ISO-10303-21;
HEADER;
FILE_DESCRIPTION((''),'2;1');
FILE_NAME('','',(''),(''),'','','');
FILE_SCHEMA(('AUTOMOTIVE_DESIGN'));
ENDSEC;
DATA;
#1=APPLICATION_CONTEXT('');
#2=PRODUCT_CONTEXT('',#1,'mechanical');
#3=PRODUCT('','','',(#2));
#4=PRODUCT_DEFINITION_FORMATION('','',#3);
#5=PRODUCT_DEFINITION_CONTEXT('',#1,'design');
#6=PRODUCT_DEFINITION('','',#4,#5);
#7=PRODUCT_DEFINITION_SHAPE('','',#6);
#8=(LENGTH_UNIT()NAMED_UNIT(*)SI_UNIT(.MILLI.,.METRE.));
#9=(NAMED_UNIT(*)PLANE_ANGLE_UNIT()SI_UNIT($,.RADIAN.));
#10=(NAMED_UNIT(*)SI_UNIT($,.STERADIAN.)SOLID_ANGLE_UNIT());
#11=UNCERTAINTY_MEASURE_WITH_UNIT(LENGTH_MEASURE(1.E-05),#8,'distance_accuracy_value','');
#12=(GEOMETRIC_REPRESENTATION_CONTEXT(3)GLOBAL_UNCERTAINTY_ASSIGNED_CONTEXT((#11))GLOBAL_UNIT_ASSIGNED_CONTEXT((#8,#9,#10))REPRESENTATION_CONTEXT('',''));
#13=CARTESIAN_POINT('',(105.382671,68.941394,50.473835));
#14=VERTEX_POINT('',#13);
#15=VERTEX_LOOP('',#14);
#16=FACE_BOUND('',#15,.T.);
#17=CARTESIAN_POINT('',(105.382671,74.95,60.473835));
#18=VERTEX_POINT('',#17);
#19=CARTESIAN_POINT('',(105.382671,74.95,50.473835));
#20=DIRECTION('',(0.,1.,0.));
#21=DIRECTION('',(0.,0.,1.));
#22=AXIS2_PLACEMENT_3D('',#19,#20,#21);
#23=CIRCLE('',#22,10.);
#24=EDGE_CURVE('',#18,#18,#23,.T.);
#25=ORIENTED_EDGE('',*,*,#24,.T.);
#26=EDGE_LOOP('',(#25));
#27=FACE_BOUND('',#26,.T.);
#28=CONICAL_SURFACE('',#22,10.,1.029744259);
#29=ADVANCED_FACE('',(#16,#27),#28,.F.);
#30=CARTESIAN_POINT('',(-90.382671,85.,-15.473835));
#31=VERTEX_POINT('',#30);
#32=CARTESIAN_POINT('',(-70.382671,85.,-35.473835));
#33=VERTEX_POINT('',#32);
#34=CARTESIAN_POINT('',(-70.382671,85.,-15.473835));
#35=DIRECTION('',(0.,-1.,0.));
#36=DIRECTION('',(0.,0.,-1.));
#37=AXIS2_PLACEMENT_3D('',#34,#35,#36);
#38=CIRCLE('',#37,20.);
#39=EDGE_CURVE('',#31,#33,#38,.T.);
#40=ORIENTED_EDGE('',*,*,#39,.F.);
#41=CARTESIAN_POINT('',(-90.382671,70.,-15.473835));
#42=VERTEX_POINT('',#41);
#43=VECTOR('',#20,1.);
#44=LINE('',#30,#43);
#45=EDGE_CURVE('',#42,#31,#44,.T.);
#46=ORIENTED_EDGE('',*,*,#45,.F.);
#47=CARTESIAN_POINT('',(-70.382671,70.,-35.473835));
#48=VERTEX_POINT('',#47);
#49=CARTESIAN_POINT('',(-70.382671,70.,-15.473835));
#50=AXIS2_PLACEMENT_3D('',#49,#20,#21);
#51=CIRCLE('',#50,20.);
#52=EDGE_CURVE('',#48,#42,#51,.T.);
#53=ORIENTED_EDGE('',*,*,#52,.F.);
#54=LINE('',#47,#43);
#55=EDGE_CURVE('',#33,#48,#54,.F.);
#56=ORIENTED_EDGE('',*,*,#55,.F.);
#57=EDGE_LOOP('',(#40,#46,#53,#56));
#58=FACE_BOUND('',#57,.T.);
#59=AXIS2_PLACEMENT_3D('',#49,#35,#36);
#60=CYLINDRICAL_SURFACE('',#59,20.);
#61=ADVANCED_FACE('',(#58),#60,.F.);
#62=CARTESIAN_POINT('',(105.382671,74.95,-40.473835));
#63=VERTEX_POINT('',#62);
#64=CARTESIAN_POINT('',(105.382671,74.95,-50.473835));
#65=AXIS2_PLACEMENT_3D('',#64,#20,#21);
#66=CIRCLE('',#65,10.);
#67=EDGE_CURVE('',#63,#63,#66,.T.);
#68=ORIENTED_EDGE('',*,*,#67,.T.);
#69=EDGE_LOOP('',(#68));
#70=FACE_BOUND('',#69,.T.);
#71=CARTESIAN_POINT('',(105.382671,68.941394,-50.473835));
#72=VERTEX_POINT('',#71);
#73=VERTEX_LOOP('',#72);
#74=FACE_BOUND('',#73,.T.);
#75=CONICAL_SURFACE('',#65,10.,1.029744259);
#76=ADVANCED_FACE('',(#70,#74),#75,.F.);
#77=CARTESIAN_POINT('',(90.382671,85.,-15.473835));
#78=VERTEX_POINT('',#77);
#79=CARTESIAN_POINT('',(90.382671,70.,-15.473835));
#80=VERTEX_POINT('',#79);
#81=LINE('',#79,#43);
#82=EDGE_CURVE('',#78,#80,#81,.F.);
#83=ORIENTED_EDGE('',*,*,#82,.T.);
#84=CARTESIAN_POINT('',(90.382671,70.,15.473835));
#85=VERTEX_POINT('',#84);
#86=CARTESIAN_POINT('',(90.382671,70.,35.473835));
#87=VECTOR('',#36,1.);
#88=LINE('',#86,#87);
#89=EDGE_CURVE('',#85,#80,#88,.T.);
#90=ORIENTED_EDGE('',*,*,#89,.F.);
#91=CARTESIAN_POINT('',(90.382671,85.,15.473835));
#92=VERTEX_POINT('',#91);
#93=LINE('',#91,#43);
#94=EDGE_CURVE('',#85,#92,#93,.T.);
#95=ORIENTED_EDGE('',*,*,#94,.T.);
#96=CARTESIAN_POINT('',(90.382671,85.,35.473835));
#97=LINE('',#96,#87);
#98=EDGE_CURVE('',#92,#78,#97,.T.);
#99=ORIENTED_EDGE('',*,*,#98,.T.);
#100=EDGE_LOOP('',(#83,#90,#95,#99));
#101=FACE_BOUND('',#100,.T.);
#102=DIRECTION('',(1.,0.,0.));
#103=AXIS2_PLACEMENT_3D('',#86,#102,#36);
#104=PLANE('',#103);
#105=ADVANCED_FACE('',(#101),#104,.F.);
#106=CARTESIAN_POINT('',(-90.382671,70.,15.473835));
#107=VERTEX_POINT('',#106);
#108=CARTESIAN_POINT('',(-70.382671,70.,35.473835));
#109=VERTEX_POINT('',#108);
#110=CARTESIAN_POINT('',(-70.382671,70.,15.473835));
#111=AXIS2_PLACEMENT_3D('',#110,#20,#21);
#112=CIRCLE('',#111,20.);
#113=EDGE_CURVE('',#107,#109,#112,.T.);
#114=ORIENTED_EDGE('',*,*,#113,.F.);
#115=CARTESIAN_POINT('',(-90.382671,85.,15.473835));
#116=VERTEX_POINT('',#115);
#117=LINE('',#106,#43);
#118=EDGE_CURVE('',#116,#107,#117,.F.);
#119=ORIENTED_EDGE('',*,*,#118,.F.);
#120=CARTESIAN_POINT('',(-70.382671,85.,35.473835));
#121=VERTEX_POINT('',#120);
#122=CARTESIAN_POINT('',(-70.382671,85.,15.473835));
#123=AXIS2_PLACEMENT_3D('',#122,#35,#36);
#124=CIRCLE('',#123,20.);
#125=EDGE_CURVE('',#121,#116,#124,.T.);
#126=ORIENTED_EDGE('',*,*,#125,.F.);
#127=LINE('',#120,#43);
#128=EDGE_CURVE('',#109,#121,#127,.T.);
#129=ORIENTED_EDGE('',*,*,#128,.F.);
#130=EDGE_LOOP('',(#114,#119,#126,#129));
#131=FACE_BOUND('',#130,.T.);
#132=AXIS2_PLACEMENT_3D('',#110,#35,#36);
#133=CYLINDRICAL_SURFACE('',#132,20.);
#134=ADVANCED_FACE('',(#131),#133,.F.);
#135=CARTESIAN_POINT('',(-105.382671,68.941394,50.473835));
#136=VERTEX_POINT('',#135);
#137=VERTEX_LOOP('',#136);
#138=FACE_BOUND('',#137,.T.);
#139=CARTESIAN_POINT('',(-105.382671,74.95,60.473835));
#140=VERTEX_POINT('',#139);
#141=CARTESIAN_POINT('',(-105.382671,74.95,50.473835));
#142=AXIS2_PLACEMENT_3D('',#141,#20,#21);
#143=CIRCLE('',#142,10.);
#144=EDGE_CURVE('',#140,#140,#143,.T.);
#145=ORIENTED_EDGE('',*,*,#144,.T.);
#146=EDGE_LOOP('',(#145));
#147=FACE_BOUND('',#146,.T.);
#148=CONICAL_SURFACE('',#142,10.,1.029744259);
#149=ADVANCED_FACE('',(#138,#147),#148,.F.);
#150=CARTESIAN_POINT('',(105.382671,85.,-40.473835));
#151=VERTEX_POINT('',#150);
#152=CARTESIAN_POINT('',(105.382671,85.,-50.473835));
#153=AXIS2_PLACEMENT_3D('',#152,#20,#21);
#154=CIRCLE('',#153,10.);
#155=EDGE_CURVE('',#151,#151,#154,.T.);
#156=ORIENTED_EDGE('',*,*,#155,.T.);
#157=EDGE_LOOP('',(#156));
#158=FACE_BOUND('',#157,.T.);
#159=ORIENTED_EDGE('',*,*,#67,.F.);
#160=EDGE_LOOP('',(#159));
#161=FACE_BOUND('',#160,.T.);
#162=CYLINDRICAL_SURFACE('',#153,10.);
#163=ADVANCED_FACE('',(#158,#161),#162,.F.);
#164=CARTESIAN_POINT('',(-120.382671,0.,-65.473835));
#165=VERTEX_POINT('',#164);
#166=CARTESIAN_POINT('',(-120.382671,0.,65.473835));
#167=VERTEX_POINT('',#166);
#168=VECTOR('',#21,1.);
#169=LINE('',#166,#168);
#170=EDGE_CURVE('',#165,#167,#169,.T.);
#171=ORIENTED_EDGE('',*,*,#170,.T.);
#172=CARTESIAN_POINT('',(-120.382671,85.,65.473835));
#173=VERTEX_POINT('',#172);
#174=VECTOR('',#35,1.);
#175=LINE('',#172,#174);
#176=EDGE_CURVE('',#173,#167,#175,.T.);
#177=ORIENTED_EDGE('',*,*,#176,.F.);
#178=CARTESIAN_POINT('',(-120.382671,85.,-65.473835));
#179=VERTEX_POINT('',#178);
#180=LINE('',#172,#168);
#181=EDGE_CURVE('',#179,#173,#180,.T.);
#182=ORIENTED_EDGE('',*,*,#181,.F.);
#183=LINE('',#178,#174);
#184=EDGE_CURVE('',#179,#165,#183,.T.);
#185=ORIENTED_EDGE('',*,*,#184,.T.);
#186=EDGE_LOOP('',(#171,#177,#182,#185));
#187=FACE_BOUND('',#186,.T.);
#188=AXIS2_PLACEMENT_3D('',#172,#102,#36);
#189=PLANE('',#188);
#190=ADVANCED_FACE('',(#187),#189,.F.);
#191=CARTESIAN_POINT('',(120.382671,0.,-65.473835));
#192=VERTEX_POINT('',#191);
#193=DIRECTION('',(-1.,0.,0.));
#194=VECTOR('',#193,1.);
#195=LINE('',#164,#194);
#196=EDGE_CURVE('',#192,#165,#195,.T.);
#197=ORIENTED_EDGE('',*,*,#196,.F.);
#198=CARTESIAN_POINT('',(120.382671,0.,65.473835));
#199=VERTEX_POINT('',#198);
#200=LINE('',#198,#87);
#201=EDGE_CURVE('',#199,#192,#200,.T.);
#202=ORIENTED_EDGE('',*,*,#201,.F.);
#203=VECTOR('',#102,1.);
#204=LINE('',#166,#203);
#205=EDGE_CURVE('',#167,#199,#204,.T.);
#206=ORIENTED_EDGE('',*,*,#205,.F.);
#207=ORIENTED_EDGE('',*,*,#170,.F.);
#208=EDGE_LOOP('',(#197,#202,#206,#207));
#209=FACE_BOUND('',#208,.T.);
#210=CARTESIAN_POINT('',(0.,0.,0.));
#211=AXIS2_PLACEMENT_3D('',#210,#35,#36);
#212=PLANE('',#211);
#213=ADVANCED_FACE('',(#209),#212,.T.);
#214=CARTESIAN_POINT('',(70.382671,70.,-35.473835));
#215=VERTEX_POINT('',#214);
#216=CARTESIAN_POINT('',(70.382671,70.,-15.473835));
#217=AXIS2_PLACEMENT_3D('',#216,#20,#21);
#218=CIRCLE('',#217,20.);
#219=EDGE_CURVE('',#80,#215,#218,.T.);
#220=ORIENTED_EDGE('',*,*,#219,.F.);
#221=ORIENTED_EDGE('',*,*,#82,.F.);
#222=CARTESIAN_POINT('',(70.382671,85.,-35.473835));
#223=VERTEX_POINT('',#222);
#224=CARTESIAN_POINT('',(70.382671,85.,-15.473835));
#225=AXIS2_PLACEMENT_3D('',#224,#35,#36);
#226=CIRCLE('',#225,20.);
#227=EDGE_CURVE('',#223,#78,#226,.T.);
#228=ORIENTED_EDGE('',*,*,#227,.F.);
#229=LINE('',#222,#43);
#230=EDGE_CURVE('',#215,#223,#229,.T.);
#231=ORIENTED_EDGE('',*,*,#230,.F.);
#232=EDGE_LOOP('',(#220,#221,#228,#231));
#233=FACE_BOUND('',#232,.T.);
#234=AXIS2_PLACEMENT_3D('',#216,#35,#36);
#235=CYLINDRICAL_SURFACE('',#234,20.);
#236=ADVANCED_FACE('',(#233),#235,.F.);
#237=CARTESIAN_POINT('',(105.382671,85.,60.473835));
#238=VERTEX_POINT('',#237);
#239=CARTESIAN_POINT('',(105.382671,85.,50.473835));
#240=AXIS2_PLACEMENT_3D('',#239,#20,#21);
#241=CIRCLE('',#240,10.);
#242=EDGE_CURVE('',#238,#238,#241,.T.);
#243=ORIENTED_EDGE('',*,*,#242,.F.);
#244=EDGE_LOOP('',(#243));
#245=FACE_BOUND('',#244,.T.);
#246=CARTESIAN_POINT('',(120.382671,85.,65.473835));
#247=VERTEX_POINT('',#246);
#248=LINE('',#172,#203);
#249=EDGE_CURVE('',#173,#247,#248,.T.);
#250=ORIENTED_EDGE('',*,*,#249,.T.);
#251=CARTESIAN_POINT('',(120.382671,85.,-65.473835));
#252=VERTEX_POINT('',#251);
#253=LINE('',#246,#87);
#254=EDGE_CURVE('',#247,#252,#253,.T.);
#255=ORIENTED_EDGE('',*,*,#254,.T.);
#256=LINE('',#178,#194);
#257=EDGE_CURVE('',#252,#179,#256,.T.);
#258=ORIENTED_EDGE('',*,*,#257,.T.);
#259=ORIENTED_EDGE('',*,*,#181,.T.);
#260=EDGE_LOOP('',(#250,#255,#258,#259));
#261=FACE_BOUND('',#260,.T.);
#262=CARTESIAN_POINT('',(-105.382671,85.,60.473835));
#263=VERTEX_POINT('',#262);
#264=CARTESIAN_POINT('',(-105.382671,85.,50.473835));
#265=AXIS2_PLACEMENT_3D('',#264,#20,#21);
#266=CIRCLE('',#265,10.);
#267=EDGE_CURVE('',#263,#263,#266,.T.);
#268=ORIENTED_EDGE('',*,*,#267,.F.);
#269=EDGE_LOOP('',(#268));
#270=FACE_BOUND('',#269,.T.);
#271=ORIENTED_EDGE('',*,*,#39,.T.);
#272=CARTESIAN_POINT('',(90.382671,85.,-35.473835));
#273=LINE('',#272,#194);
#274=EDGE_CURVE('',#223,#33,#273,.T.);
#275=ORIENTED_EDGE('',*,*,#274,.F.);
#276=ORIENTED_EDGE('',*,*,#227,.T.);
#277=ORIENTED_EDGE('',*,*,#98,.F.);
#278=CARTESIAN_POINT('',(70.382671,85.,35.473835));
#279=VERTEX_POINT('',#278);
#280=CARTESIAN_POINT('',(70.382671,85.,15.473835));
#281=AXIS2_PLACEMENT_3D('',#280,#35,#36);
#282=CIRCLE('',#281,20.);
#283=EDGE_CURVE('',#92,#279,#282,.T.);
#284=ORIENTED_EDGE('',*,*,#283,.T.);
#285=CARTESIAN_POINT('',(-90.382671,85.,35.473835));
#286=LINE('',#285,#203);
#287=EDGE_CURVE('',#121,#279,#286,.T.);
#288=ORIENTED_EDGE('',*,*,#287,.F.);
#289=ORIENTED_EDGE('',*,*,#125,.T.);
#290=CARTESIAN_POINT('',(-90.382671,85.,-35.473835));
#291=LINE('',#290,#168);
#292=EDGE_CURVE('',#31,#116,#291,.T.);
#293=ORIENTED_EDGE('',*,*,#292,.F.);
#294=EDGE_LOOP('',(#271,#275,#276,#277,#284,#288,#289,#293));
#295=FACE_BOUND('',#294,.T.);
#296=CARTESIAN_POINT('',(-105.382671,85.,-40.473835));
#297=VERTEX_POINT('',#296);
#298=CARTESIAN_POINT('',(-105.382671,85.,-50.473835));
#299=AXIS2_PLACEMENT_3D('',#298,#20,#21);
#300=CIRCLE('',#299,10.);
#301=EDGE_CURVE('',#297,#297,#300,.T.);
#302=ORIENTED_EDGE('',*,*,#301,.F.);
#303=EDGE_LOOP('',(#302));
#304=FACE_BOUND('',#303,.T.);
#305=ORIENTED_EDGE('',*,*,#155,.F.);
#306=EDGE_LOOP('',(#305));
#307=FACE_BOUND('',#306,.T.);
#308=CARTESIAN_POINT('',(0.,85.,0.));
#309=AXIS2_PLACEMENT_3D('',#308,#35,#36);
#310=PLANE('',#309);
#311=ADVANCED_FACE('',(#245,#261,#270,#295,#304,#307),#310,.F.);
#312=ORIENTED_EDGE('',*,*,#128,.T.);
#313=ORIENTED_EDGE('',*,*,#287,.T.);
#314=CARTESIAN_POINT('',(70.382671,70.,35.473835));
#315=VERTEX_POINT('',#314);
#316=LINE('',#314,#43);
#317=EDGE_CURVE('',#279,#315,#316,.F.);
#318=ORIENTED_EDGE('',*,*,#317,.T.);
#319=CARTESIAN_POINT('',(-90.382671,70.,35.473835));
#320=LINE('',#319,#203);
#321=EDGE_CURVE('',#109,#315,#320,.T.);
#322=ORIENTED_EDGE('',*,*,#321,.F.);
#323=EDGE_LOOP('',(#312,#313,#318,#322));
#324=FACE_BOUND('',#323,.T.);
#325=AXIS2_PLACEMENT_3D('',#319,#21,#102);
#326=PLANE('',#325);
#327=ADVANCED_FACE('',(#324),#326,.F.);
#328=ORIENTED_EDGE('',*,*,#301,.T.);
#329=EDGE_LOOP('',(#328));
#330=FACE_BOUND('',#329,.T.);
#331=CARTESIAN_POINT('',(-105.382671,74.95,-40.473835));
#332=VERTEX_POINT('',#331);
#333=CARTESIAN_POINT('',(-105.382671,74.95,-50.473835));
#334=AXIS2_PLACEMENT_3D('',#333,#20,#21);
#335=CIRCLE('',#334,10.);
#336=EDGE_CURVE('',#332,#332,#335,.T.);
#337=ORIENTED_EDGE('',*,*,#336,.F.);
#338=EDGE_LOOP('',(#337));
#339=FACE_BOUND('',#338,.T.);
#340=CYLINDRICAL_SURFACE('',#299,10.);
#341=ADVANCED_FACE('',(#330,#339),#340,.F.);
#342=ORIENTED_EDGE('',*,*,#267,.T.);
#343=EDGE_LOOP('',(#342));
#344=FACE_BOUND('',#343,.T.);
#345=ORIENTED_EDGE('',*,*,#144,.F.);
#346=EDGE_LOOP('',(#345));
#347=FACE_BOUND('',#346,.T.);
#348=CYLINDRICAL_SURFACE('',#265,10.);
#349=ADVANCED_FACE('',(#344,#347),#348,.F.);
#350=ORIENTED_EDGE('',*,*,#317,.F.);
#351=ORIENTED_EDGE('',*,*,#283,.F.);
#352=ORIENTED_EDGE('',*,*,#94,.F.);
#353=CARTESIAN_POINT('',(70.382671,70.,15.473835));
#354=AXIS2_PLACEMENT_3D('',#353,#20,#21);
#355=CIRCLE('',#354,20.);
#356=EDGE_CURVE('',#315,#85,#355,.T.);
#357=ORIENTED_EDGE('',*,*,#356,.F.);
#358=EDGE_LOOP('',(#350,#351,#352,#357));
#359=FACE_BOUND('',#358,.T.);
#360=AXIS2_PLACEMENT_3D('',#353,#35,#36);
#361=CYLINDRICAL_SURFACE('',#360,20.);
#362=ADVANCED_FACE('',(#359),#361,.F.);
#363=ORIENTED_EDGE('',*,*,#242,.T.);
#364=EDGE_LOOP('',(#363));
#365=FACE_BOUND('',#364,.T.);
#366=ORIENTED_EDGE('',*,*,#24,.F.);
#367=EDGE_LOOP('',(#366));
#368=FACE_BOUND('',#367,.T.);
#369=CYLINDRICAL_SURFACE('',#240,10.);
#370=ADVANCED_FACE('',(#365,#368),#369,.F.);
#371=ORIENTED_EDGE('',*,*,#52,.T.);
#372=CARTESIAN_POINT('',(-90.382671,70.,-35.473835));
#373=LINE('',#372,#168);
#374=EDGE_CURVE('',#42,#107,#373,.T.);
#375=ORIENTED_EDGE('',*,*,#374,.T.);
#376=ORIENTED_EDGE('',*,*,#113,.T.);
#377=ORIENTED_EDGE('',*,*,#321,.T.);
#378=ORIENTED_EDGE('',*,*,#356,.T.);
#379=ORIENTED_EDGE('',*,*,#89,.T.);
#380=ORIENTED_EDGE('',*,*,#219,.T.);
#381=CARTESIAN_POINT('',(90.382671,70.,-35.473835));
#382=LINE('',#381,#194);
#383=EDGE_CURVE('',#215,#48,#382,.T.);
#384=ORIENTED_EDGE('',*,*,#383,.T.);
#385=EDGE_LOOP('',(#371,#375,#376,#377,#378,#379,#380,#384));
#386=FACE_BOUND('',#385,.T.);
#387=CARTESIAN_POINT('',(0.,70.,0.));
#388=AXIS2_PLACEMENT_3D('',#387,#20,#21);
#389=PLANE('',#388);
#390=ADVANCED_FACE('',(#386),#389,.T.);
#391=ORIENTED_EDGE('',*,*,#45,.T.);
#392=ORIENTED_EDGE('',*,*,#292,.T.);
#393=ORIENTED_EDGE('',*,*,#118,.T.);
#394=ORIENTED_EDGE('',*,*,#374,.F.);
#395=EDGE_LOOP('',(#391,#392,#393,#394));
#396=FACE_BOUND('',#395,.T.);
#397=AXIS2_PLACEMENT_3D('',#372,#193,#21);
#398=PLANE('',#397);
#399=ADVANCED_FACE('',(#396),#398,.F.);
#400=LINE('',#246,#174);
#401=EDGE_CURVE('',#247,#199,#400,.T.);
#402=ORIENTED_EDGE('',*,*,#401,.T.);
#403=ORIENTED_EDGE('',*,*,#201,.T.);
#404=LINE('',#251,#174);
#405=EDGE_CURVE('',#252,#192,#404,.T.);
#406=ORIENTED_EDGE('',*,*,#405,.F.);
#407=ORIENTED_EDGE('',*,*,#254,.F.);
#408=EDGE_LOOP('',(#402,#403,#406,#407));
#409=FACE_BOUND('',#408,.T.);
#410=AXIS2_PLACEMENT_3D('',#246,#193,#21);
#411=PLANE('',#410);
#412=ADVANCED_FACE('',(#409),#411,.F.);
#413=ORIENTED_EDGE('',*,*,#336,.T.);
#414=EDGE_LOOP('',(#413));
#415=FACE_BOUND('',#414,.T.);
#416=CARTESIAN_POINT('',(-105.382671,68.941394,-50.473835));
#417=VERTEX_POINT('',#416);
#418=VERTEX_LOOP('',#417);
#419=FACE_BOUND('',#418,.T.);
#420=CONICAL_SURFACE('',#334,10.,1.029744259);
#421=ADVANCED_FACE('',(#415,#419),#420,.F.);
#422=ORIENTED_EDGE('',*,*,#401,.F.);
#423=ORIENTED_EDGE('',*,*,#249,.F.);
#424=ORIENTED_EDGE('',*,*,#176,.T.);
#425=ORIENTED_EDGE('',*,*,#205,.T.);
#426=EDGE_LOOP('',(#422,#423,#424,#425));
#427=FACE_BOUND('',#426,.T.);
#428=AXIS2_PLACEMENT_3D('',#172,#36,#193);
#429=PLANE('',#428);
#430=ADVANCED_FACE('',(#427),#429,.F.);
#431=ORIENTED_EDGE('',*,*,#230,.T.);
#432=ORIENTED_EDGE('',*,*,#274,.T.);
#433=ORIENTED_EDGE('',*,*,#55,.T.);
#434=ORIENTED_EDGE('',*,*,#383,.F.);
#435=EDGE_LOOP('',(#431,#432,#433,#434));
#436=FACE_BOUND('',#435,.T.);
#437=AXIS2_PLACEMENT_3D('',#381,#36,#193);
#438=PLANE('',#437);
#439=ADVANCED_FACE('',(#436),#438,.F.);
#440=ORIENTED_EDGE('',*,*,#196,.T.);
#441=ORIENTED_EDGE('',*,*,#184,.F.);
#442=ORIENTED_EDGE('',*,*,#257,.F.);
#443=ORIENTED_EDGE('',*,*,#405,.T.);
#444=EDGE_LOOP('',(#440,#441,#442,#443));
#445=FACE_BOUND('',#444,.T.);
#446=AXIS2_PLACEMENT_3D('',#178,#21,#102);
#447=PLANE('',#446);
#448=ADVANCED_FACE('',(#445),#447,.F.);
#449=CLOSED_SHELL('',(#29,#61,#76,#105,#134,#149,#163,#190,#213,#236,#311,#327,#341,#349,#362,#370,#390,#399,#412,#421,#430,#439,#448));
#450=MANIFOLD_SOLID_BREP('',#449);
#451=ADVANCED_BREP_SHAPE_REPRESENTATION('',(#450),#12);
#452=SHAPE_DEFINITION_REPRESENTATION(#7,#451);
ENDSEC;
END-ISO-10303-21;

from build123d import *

# Parameters (mm, degrees)
SKETCH3_W                  = 240.765342714
SKETCH3_H                  = 130.947670476
BOSS_EXTRUDE2_DEPTH        = 85
SKETCH4_W                  = 180.765342714
SKETCH4_H                  = 70.947670476
CUT_EXTRUDE1_DEPTH         = 15
F_20_0MM_DOWEL_HOLE1_D     = 20
F_20_0MM_DOWEL_HOLE1_DEPTH = 10.05
F_20_0MM_DOWEL_HOLE1_TIP   = 6.00860619
FILLET1_R                  = 20


with BuildPart() as part:
    # Sketch3 → Boss-Extrude2 (new body)
    with BuildSketch(Plane(origin=(0, 0, 0), x_dir=(1, 0, 0), z_dir=(0, 1, 0))):
        Rectangle(SKETCH3_W, SKETCH3_H)
    extrude(amount=BOSS_EXTRUDE2_DEPTH)

    # Sketch4 → Cut-Extrude1 (cut)
    with BuildSketch(Plane(origin=(0, 85, 0), x_dir=(1, 0, 0), z_dir=(0, 1, 0))):
        Rectangle(SKETCH4_W, SKETCH4_H)
    extrude(amount=-CUT_EXTRUDE1_DEPTH, mode=Mode.SUBTRACT)

    # Ø20.0mm Dowel Hole1
    with Locations(Plane(origin=(-105.382671357, 85, -50.473835238), x_dir=(0, 0, 1), z_dir=(0, 1, 0))):
        with Locations((0, 0), (100.947670476, 0), (0, 210.765342714), (100.947670476, 210.765342714)):
            Hole(F_20_0MM_DOWEL_HOLE1_D / 2, depth=F_20_0MM_DOWEL_HOLE1_DEPTH)
            with Locations((0, 0, -(F_20_0MM_DOWEL_HOLE1_DEPTH + F_20_0MM_DOWEL_HOLE1_TIP / 2))):  # 118° drill point
                Cone(0, F_20_0MM_DOWEL_HOLE1_D / 2, F_20_0MM_DOWEL_HOLE1_TIP, mode=Mode.SUBTRACT)

    # Fillet1
    fillet1_edges = [part.edges().sort_by_distance(p)[0] for p in [
        (90.382671357, 77.5, 35.473835238),
        (-90.382671357, 77.5, 35.473835238),
        (-90.382671357, 77.5, -35.473835238),
        (90.382671357, 77.5, -35.473835238),
    ]]
    fillet(fillet1_edges, radius=FILLET1_R)


solid = part.part
